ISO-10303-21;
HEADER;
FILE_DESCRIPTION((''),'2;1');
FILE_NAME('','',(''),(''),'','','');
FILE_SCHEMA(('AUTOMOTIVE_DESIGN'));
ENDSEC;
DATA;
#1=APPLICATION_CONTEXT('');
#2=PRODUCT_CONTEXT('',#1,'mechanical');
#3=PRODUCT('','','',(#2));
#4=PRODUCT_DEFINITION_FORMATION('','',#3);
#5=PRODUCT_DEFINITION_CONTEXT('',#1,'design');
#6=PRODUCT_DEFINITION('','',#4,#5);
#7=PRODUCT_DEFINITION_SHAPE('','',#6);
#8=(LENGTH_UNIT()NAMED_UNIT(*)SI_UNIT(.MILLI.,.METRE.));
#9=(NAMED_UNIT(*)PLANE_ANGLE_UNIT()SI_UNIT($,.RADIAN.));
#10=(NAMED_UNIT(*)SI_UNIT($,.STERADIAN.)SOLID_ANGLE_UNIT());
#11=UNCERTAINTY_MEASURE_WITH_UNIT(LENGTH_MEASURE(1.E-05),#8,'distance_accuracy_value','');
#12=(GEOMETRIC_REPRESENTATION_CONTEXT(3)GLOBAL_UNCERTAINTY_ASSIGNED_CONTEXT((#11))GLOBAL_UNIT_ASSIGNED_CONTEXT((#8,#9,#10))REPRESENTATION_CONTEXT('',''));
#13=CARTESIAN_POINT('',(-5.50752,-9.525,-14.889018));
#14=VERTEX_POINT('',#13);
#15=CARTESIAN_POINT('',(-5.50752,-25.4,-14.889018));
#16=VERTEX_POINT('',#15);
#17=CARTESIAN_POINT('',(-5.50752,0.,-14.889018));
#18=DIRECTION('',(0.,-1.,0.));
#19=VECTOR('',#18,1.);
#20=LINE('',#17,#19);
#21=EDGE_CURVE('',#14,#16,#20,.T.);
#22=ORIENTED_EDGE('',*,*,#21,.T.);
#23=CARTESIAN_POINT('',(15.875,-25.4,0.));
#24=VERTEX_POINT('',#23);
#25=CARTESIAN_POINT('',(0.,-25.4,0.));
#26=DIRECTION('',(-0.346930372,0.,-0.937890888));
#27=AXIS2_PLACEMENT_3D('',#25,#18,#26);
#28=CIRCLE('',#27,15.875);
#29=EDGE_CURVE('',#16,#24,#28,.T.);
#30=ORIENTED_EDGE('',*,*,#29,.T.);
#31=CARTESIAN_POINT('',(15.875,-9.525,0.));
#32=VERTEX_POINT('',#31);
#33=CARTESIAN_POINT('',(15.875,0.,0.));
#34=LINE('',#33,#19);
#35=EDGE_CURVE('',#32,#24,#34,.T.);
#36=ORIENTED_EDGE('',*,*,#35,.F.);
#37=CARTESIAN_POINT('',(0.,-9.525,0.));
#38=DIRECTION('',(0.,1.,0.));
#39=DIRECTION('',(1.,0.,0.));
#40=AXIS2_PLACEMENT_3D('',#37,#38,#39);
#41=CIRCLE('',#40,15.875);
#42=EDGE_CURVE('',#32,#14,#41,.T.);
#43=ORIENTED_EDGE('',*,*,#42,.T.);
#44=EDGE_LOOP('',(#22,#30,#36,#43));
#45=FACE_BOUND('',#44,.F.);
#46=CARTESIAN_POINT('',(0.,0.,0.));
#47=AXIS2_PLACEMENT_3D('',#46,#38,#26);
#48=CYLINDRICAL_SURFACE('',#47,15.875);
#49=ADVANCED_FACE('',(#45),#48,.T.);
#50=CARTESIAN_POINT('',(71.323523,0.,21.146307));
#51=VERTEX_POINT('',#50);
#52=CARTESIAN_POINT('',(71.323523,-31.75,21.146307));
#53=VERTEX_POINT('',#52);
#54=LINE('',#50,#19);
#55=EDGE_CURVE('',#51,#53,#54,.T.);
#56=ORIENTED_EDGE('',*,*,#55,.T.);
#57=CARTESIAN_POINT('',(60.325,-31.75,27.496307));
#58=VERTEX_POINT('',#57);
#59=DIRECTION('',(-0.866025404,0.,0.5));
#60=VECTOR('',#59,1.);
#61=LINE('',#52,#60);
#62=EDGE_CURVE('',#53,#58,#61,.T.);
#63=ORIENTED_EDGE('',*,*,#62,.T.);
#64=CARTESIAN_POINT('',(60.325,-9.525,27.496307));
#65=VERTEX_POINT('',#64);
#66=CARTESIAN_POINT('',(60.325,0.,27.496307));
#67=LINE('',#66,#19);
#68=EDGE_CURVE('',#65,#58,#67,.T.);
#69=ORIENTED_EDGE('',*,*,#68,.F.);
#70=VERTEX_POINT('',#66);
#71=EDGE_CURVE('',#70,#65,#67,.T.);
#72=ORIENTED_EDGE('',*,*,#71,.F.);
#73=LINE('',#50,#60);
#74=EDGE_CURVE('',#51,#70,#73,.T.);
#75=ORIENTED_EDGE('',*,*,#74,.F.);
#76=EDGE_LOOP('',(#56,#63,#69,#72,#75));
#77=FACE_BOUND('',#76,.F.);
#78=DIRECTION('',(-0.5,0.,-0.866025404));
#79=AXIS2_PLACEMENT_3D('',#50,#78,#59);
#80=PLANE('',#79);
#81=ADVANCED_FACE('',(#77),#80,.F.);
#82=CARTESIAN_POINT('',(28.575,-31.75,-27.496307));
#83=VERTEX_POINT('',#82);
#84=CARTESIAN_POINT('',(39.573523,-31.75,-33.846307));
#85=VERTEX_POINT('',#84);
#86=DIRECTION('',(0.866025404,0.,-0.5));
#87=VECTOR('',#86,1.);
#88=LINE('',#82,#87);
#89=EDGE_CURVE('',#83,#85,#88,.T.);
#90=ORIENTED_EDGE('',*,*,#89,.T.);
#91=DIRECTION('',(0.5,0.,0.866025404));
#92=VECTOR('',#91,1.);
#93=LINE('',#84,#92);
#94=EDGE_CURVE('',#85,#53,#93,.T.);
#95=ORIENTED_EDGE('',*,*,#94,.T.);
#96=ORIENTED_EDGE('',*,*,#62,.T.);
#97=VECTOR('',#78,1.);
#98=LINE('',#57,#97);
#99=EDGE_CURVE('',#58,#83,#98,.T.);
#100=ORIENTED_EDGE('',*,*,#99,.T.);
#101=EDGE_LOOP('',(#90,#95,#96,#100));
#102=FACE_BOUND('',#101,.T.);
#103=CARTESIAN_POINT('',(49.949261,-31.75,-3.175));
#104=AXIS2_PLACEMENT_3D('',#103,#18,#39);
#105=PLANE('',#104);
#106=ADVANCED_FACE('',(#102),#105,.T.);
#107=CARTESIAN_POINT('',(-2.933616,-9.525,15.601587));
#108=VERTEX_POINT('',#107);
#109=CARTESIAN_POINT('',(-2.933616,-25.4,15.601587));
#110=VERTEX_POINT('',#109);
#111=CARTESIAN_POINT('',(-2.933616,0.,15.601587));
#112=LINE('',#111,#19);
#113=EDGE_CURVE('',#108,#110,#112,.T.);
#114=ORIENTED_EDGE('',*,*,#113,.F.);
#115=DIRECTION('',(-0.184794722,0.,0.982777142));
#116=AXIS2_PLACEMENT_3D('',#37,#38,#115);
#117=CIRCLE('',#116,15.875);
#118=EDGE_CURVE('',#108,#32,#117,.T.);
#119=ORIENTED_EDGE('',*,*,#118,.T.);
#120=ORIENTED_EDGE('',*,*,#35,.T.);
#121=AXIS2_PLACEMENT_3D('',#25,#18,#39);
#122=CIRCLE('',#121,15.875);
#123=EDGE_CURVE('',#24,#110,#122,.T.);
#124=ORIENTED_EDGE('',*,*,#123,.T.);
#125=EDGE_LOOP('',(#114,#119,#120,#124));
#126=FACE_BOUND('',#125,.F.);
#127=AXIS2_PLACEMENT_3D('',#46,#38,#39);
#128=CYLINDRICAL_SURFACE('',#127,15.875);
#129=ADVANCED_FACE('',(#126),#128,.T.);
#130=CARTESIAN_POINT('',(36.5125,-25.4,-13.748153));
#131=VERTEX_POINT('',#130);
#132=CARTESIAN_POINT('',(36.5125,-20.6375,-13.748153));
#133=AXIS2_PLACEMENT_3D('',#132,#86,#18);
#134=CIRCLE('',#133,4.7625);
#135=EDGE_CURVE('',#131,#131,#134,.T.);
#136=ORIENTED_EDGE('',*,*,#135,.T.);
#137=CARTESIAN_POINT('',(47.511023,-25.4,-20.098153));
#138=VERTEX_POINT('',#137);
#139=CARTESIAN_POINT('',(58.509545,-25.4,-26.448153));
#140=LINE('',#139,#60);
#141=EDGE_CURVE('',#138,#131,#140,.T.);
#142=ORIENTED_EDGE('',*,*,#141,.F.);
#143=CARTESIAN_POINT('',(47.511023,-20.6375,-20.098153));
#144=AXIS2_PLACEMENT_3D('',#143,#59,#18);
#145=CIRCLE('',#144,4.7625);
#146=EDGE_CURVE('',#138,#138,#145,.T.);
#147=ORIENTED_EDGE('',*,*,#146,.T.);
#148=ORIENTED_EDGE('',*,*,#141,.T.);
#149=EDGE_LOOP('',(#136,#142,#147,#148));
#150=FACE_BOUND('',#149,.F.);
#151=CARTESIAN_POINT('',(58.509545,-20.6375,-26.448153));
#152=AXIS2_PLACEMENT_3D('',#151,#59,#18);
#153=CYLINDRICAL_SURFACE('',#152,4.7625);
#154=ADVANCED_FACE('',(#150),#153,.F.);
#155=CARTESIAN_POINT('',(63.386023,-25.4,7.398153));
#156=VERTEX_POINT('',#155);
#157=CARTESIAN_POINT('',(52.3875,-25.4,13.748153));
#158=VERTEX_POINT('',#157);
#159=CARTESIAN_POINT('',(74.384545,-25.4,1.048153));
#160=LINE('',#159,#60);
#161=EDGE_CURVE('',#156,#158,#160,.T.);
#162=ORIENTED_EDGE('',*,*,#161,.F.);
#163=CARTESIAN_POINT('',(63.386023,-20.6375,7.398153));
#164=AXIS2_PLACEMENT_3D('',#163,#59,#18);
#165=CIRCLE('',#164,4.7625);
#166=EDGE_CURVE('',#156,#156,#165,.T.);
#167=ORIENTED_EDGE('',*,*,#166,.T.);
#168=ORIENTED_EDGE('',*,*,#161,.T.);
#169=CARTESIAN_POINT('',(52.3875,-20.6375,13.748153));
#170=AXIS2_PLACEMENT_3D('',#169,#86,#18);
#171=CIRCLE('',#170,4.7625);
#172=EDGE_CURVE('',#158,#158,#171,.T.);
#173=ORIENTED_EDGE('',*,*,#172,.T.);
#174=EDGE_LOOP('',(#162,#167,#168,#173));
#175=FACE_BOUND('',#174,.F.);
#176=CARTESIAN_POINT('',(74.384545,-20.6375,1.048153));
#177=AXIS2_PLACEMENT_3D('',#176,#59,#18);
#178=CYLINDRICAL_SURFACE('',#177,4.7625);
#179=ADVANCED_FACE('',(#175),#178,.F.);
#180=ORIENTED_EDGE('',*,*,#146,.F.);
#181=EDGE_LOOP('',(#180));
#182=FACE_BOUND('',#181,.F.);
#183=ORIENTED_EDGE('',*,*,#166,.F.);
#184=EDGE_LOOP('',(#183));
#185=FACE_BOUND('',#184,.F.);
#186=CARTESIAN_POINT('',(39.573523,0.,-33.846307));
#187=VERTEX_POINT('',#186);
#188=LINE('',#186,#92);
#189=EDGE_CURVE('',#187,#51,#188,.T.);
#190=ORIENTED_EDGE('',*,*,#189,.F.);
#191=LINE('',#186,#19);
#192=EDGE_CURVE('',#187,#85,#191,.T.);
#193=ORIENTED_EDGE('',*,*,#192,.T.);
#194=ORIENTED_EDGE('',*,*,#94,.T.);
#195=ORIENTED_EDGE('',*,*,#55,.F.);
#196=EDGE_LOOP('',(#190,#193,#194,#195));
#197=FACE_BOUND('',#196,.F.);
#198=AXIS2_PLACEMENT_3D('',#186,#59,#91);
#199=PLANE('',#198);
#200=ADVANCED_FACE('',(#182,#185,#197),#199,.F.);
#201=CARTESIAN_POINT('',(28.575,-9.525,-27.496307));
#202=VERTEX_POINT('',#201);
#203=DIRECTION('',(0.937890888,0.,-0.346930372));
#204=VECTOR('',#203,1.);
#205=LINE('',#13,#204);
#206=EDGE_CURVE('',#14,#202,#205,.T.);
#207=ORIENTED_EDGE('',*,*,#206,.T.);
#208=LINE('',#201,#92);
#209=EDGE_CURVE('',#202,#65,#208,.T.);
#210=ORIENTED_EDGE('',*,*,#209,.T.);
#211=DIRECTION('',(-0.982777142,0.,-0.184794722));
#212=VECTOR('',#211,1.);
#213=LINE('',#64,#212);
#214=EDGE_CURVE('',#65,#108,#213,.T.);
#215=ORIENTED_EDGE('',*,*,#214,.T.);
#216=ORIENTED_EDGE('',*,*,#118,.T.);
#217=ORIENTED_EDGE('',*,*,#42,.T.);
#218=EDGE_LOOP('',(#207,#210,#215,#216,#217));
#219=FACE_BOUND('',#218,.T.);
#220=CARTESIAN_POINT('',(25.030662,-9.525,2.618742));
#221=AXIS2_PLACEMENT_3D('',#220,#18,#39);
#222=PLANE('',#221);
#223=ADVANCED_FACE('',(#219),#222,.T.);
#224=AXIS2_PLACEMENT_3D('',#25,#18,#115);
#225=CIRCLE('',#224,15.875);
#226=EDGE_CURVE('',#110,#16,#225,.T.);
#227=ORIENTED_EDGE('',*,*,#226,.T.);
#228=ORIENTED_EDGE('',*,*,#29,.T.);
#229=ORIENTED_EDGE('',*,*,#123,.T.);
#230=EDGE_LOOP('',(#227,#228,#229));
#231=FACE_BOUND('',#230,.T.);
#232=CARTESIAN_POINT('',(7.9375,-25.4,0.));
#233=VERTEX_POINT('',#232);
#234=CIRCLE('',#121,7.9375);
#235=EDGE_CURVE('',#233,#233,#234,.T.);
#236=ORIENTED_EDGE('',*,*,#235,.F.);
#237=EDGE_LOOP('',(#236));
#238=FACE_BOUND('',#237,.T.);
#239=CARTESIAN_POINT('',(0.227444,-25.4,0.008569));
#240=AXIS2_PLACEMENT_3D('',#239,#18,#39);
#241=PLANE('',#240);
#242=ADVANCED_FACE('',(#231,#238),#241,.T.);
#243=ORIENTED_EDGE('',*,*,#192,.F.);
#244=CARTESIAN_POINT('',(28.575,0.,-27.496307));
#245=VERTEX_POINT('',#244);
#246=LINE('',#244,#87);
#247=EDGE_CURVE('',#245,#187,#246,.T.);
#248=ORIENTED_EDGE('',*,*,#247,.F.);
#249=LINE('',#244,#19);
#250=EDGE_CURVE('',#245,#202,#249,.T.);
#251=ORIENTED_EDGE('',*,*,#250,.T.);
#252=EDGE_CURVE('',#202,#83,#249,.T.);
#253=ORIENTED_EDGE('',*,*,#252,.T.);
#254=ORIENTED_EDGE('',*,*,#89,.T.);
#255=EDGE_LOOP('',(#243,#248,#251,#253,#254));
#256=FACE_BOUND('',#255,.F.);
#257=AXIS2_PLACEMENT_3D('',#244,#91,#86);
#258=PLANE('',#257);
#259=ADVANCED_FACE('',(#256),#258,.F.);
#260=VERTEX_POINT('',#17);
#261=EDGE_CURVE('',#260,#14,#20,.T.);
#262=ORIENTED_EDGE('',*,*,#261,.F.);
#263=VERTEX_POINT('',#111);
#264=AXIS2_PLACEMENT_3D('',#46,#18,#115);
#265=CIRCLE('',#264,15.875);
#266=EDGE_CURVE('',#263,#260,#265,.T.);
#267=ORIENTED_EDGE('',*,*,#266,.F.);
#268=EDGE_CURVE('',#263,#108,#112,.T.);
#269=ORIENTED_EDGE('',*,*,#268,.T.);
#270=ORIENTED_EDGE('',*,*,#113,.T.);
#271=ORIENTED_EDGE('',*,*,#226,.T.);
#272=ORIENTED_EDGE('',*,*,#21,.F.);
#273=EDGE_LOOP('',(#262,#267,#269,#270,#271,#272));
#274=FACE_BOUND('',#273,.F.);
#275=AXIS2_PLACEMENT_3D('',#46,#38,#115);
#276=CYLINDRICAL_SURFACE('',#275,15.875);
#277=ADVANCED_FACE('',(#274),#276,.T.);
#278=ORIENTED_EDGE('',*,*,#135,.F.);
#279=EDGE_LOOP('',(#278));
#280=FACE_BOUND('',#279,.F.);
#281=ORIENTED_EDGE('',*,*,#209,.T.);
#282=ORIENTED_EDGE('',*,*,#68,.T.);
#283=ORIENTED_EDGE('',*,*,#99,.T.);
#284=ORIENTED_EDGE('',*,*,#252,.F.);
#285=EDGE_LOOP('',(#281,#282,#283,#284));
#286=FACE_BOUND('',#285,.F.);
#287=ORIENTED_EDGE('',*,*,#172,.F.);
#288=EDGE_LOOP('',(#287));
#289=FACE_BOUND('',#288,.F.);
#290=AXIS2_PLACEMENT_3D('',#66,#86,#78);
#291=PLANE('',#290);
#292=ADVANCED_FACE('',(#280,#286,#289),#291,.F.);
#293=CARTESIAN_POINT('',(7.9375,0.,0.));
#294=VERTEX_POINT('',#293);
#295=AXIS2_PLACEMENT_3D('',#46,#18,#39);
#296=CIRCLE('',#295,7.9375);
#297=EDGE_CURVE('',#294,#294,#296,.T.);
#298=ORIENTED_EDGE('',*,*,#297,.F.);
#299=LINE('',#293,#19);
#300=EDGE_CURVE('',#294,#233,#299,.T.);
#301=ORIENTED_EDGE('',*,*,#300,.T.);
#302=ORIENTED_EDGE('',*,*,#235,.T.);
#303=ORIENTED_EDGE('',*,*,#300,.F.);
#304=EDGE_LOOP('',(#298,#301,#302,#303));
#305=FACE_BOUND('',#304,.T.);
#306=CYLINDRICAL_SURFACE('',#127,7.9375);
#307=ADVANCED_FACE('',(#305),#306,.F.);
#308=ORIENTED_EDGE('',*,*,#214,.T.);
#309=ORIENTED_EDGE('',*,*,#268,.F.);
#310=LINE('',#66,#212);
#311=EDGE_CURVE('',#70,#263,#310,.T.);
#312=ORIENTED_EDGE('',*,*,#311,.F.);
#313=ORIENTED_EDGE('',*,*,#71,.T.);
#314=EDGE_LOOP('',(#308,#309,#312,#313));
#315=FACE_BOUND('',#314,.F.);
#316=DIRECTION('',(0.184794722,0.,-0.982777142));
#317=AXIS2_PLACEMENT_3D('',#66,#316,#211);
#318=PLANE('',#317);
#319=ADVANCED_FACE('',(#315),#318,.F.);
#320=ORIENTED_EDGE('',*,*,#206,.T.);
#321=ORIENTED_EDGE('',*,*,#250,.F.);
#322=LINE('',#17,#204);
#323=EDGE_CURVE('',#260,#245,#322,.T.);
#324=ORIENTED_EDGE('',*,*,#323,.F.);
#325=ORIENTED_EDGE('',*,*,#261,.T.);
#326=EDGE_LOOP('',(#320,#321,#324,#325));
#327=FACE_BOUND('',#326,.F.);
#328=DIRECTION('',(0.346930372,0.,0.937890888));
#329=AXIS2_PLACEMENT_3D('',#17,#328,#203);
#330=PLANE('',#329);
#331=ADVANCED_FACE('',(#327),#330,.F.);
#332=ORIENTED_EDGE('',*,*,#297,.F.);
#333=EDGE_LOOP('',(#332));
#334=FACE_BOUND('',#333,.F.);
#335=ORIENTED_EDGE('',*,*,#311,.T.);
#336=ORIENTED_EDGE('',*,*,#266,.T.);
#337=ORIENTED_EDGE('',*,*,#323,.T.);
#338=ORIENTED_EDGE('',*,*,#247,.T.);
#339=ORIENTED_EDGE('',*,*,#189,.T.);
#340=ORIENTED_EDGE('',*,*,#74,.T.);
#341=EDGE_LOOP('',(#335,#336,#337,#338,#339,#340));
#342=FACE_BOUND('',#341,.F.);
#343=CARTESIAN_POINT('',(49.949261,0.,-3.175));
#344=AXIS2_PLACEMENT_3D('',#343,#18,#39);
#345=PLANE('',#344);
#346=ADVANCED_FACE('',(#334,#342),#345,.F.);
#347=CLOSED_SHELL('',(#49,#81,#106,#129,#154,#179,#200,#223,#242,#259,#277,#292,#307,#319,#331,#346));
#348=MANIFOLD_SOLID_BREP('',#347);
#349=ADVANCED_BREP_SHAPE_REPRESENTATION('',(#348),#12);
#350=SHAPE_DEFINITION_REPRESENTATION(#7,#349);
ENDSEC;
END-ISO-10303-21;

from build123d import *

# Parameters (mm, degrees)
F1_DEPTH = 9.525
F0_R     = 7.9375
F2_DEPTH = 25.4
F3_DEPTH = 31.75
F5_D     = 9.525
F5_DEPTH = 12.7
F5_TIP   = 2.8615986981


with BuildPart() as f1:
    # F0 (on Front) → F1 (new body)
    with BuildSketch(Plane.XZ):
        with BuildLine():
            ThreePointArc((-2.933616207, 15.6015871292), (10.135197771, 12.2185674751), (15.875, 0))
            ThreePointArc((15.875, 0), (9.0714869373, -13.0278067896), (-5.5075196531, -14.8890178411))
            Line((-5.5075196531, -14.8890178411), (28.575, -27.4963065702))
            Line((28.575, -27.4963065702), (60.325, 27.4963065702))
            Line((60.325, 27.4963065702), (-2.933616207, 15.6015871292))
        make_face()
    extrude(amount=F1_DEPTH)

    # F0 (on Front) → F2 (join)
    with BuildSketch(Plane.XZ):
        with BuildLine():
            ThreePointArc((-5.5075196531, -14.8890178411), (9.0714869373, -13.0278067896), (15.875, 0))
            ThreePointArc((15.875, 0), (10.135197771, 12.2185674751), (-2.933616207, 15.6015871292))
            ThreePointArc((-2.933616207, 15.6015871292), (-15.8187370392, 1.3353589349), (-5.5075196531, -14.8890178411))
        make_face()
        Circle(F0_R, mode=Mode.SUBTRACT)
    extrude(amount=F2_DEPTH)

    # F0 (on Front) → F3 (join)
    with BuildSketch(Plane.XZ):
        Polygon((71.3235226281, 21.1463065702), (60.325, 27.4963065702), (28.575, -27.4963065702), (39.5735226281, -33.8463065702), align=None)
    extrude(amount=F3_DEPTH)

    # F5
    with Locations(Plane(origin=(44.3360226281, 0, -25.5974145991), x_dir=(0, 1, 0), z_dir=(0.8660254038, 0, -0.5))):
        with Locations((-20.6375, 6.35), (-20.6375, 38.1)):
            Hole(F5_D / 2, depth=F5_DEPTH)
            with Locations((0, 0, -(F5_DEPTH + F5_TIP / 2))):  # 118° drill point
                Cone(0, F5_D / 2, F5_TIP, mode=Mode.SUBTRACT)


solid = f1.part
